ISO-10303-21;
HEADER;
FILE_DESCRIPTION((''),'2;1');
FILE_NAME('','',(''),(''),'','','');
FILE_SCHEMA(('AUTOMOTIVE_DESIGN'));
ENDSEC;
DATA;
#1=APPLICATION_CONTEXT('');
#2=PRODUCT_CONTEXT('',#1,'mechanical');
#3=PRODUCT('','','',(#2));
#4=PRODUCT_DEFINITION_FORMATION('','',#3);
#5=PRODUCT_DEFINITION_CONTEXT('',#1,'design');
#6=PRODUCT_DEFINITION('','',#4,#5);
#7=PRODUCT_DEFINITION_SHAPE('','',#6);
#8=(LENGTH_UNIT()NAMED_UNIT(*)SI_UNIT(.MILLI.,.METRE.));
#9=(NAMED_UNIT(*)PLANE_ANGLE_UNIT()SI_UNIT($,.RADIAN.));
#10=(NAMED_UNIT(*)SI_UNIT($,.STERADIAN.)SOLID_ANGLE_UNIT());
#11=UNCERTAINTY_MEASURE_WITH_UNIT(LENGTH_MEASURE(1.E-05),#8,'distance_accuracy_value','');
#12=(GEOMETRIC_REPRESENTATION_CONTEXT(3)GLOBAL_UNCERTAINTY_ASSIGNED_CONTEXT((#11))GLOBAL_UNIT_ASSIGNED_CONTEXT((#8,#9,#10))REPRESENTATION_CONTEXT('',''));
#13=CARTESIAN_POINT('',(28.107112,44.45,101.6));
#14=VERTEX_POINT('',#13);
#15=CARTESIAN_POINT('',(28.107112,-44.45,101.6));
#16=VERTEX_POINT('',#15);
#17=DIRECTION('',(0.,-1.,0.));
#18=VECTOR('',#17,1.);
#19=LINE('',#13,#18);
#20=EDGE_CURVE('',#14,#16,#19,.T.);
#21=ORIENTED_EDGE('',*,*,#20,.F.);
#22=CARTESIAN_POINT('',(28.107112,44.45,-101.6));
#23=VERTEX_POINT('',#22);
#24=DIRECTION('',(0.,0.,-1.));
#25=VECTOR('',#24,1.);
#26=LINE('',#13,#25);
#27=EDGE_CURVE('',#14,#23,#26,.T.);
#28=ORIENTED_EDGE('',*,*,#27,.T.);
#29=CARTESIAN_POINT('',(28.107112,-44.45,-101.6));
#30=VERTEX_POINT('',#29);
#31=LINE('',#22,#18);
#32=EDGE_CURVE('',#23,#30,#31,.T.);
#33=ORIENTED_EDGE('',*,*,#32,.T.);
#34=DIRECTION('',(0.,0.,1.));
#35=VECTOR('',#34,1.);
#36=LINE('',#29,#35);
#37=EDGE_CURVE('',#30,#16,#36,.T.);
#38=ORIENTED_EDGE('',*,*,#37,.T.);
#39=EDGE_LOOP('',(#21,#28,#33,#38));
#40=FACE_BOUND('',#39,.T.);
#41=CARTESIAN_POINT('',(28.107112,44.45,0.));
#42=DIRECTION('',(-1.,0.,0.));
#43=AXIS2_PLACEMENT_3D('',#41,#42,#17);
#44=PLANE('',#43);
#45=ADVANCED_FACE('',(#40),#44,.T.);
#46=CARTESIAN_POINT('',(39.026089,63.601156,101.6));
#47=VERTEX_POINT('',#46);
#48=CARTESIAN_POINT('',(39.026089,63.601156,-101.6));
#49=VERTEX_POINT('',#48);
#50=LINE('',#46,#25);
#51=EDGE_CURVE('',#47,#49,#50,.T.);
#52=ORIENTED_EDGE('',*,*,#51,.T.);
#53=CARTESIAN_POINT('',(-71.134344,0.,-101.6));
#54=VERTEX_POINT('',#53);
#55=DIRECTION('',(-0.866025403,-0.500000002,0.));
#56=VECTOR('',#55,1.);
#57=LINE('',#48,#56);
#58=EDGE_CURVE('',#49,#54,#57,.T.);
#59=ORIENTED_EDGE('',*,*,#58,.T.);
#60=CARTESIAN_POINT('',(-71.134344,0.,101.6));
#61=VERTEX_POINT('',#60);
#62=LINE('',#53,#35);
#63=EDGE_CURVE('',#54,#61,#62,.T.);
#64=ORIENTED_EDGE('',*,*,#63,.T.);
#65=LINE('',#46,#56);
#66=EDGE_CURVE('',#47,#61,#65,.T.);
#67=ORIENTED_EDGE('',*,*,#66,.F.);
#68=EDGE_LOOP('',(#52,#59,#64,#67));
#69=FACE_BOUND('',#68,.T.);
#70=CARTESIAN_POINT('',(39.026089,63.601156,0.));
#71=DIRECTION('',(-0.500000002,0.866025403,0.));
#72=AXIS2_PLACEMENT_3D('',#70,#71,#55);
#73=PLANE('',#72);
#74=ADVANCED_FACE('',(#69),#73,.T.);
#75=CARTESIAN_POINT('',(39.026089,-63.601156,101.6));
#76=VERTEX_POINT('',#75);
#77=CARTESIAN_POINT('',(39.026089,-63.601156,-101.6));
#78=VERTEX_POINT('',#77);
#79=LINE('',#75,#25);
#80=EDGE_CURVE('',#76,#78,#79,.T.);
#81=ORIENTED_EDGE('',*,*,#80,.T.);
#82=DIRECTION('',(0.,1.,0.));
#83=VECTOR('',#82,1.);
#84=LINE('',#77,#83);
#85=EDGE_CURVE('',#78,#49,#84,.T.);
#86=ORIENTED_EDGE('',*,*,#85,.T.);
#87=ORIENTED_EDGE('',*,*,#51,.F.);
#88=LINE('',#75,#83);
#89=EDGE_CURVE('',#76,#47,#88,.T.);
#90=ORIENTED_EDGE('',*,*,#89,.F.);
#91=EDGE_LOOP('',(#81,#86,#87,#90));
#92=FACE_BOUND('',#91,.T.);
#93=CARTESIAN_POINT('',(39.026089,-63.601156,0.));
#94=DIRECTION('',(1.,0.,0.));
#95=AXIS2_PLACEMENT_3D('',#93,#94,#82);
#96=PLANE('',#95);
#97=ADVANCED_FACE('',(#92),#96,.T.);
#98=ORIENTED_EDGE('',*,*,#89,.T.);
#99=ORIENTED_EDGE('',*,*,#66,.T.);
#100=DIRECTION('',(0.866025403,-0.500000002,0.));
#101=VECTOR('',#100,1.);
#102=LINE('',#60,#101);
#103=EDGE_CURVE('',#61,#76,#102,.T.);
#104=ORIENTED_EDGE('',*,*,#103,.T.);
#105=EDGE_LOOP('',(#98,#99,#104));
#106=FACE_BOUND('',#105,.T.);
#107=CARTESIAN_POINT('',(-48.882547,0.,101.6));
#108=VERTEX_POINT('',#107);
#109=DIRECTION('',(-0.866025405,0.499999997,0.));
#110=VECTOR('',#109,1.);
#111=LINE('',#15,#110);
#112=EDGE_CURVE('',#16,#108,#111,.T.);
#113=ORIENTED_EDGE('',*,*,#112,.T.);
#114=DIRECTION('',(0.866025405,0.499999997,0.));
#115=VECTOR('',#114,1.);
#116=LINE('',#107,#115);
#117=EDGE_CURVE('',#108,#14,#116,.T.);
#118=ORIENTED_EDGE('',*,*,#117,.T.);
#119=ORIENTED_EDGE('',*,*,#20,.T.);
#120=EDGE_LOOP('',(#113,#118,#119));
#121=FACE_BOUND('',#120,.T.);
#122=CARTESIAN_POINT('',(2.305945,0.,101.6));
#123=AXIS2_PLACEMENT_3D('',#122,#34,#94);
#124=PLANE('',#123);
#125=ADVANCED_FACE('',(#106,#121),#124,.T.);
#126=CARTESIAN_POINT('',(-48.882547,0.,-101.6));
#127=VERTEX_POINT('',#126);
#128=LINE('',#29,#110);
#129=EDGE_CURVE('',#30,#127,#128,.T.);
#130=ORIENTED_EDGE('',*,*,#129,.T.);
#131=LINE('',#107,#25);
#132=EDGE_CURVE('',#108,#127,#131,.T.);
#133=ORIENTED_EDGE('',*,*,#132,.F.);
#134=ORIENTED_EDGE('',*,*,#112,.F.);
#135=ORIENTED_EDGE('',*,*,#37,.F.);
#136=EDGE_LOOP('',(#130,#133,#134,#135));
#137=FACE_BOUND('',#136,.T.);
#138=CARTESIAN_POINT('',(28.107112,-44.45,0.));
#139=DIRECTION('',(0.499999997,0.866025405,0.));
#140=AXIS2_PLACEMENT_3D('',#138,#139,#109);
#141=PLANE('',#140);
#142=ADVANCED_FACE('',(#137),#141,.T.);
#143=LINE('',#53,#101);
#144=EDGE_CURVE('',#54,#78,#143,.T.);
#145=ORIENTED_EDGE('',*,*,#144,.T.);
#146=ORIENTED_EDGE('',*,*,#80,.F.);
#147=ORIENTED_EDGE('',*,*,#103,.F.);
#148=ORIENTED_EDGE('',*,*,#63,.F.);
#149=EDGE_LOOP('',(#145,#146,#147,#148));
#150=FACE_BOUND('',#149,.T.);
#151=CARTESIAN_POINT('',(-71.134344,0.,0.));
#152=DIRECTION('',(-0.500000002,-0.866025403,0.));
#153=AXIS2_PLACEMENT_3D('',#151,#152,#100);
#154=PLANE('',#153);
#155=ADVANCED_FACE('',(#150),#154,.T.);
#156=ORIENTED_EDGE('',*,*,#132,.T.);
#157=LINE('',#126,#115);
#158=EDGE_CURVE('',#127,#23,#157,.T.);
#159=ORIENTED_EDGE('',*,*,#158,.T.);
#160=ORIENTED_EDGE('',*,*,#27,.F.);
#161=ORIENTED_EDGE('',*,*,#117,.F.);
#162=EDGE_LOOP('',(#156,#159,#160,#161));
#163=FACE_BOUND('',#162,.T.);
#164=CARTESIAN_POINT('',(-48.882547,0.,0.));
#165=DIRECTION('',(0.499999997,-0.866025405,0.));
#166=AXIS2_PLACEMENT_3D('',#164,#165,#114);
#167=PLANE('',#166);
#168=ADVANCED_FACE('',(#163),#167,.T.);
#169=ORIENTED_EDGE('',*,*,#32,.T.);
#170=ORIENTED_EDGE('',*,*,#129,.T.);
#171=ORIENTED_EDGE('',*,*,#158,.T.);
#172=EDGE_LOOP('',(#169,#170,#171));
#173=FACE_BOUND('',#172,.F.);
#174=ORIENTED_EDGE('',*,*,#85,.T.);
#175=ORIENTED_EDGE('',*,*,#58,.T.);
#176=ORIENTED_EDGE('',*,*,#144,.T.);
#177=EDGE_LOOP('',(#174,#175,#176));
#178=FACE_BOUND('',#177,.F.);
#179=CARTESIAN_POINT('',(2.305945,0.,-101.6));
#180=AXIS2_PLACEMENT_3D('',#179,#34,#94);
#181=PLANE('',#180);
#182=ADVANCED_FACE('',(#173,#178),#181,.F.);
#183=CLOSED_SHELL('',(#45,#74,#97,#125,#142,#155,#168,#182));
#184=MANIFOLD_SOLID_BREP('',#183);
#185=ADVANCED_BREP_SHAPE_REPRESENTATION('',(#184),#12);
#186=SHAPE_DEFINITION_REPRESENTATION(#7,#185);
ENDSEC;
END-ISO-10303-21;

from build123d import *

# Parameters (mm, degrees)
F1_DEPTH = 101.6


with BuildPart() as f1:
    # F0 (on Top) → F1 (new body, symmetric)
    with BuildSketch(Plane.XY):
        Polygon((39.026089, 63.601156), (-71.134344, 0), (39.026089, -63.601156), align=None)
        Polygon((28.107112, -44.45), (-48.882547, 0), (28.107112, 44.45), align=None, mode=Mode.SUBTRACT)
    extrude(amount=F1_DEPTH, both=True)


solid = f1.part
